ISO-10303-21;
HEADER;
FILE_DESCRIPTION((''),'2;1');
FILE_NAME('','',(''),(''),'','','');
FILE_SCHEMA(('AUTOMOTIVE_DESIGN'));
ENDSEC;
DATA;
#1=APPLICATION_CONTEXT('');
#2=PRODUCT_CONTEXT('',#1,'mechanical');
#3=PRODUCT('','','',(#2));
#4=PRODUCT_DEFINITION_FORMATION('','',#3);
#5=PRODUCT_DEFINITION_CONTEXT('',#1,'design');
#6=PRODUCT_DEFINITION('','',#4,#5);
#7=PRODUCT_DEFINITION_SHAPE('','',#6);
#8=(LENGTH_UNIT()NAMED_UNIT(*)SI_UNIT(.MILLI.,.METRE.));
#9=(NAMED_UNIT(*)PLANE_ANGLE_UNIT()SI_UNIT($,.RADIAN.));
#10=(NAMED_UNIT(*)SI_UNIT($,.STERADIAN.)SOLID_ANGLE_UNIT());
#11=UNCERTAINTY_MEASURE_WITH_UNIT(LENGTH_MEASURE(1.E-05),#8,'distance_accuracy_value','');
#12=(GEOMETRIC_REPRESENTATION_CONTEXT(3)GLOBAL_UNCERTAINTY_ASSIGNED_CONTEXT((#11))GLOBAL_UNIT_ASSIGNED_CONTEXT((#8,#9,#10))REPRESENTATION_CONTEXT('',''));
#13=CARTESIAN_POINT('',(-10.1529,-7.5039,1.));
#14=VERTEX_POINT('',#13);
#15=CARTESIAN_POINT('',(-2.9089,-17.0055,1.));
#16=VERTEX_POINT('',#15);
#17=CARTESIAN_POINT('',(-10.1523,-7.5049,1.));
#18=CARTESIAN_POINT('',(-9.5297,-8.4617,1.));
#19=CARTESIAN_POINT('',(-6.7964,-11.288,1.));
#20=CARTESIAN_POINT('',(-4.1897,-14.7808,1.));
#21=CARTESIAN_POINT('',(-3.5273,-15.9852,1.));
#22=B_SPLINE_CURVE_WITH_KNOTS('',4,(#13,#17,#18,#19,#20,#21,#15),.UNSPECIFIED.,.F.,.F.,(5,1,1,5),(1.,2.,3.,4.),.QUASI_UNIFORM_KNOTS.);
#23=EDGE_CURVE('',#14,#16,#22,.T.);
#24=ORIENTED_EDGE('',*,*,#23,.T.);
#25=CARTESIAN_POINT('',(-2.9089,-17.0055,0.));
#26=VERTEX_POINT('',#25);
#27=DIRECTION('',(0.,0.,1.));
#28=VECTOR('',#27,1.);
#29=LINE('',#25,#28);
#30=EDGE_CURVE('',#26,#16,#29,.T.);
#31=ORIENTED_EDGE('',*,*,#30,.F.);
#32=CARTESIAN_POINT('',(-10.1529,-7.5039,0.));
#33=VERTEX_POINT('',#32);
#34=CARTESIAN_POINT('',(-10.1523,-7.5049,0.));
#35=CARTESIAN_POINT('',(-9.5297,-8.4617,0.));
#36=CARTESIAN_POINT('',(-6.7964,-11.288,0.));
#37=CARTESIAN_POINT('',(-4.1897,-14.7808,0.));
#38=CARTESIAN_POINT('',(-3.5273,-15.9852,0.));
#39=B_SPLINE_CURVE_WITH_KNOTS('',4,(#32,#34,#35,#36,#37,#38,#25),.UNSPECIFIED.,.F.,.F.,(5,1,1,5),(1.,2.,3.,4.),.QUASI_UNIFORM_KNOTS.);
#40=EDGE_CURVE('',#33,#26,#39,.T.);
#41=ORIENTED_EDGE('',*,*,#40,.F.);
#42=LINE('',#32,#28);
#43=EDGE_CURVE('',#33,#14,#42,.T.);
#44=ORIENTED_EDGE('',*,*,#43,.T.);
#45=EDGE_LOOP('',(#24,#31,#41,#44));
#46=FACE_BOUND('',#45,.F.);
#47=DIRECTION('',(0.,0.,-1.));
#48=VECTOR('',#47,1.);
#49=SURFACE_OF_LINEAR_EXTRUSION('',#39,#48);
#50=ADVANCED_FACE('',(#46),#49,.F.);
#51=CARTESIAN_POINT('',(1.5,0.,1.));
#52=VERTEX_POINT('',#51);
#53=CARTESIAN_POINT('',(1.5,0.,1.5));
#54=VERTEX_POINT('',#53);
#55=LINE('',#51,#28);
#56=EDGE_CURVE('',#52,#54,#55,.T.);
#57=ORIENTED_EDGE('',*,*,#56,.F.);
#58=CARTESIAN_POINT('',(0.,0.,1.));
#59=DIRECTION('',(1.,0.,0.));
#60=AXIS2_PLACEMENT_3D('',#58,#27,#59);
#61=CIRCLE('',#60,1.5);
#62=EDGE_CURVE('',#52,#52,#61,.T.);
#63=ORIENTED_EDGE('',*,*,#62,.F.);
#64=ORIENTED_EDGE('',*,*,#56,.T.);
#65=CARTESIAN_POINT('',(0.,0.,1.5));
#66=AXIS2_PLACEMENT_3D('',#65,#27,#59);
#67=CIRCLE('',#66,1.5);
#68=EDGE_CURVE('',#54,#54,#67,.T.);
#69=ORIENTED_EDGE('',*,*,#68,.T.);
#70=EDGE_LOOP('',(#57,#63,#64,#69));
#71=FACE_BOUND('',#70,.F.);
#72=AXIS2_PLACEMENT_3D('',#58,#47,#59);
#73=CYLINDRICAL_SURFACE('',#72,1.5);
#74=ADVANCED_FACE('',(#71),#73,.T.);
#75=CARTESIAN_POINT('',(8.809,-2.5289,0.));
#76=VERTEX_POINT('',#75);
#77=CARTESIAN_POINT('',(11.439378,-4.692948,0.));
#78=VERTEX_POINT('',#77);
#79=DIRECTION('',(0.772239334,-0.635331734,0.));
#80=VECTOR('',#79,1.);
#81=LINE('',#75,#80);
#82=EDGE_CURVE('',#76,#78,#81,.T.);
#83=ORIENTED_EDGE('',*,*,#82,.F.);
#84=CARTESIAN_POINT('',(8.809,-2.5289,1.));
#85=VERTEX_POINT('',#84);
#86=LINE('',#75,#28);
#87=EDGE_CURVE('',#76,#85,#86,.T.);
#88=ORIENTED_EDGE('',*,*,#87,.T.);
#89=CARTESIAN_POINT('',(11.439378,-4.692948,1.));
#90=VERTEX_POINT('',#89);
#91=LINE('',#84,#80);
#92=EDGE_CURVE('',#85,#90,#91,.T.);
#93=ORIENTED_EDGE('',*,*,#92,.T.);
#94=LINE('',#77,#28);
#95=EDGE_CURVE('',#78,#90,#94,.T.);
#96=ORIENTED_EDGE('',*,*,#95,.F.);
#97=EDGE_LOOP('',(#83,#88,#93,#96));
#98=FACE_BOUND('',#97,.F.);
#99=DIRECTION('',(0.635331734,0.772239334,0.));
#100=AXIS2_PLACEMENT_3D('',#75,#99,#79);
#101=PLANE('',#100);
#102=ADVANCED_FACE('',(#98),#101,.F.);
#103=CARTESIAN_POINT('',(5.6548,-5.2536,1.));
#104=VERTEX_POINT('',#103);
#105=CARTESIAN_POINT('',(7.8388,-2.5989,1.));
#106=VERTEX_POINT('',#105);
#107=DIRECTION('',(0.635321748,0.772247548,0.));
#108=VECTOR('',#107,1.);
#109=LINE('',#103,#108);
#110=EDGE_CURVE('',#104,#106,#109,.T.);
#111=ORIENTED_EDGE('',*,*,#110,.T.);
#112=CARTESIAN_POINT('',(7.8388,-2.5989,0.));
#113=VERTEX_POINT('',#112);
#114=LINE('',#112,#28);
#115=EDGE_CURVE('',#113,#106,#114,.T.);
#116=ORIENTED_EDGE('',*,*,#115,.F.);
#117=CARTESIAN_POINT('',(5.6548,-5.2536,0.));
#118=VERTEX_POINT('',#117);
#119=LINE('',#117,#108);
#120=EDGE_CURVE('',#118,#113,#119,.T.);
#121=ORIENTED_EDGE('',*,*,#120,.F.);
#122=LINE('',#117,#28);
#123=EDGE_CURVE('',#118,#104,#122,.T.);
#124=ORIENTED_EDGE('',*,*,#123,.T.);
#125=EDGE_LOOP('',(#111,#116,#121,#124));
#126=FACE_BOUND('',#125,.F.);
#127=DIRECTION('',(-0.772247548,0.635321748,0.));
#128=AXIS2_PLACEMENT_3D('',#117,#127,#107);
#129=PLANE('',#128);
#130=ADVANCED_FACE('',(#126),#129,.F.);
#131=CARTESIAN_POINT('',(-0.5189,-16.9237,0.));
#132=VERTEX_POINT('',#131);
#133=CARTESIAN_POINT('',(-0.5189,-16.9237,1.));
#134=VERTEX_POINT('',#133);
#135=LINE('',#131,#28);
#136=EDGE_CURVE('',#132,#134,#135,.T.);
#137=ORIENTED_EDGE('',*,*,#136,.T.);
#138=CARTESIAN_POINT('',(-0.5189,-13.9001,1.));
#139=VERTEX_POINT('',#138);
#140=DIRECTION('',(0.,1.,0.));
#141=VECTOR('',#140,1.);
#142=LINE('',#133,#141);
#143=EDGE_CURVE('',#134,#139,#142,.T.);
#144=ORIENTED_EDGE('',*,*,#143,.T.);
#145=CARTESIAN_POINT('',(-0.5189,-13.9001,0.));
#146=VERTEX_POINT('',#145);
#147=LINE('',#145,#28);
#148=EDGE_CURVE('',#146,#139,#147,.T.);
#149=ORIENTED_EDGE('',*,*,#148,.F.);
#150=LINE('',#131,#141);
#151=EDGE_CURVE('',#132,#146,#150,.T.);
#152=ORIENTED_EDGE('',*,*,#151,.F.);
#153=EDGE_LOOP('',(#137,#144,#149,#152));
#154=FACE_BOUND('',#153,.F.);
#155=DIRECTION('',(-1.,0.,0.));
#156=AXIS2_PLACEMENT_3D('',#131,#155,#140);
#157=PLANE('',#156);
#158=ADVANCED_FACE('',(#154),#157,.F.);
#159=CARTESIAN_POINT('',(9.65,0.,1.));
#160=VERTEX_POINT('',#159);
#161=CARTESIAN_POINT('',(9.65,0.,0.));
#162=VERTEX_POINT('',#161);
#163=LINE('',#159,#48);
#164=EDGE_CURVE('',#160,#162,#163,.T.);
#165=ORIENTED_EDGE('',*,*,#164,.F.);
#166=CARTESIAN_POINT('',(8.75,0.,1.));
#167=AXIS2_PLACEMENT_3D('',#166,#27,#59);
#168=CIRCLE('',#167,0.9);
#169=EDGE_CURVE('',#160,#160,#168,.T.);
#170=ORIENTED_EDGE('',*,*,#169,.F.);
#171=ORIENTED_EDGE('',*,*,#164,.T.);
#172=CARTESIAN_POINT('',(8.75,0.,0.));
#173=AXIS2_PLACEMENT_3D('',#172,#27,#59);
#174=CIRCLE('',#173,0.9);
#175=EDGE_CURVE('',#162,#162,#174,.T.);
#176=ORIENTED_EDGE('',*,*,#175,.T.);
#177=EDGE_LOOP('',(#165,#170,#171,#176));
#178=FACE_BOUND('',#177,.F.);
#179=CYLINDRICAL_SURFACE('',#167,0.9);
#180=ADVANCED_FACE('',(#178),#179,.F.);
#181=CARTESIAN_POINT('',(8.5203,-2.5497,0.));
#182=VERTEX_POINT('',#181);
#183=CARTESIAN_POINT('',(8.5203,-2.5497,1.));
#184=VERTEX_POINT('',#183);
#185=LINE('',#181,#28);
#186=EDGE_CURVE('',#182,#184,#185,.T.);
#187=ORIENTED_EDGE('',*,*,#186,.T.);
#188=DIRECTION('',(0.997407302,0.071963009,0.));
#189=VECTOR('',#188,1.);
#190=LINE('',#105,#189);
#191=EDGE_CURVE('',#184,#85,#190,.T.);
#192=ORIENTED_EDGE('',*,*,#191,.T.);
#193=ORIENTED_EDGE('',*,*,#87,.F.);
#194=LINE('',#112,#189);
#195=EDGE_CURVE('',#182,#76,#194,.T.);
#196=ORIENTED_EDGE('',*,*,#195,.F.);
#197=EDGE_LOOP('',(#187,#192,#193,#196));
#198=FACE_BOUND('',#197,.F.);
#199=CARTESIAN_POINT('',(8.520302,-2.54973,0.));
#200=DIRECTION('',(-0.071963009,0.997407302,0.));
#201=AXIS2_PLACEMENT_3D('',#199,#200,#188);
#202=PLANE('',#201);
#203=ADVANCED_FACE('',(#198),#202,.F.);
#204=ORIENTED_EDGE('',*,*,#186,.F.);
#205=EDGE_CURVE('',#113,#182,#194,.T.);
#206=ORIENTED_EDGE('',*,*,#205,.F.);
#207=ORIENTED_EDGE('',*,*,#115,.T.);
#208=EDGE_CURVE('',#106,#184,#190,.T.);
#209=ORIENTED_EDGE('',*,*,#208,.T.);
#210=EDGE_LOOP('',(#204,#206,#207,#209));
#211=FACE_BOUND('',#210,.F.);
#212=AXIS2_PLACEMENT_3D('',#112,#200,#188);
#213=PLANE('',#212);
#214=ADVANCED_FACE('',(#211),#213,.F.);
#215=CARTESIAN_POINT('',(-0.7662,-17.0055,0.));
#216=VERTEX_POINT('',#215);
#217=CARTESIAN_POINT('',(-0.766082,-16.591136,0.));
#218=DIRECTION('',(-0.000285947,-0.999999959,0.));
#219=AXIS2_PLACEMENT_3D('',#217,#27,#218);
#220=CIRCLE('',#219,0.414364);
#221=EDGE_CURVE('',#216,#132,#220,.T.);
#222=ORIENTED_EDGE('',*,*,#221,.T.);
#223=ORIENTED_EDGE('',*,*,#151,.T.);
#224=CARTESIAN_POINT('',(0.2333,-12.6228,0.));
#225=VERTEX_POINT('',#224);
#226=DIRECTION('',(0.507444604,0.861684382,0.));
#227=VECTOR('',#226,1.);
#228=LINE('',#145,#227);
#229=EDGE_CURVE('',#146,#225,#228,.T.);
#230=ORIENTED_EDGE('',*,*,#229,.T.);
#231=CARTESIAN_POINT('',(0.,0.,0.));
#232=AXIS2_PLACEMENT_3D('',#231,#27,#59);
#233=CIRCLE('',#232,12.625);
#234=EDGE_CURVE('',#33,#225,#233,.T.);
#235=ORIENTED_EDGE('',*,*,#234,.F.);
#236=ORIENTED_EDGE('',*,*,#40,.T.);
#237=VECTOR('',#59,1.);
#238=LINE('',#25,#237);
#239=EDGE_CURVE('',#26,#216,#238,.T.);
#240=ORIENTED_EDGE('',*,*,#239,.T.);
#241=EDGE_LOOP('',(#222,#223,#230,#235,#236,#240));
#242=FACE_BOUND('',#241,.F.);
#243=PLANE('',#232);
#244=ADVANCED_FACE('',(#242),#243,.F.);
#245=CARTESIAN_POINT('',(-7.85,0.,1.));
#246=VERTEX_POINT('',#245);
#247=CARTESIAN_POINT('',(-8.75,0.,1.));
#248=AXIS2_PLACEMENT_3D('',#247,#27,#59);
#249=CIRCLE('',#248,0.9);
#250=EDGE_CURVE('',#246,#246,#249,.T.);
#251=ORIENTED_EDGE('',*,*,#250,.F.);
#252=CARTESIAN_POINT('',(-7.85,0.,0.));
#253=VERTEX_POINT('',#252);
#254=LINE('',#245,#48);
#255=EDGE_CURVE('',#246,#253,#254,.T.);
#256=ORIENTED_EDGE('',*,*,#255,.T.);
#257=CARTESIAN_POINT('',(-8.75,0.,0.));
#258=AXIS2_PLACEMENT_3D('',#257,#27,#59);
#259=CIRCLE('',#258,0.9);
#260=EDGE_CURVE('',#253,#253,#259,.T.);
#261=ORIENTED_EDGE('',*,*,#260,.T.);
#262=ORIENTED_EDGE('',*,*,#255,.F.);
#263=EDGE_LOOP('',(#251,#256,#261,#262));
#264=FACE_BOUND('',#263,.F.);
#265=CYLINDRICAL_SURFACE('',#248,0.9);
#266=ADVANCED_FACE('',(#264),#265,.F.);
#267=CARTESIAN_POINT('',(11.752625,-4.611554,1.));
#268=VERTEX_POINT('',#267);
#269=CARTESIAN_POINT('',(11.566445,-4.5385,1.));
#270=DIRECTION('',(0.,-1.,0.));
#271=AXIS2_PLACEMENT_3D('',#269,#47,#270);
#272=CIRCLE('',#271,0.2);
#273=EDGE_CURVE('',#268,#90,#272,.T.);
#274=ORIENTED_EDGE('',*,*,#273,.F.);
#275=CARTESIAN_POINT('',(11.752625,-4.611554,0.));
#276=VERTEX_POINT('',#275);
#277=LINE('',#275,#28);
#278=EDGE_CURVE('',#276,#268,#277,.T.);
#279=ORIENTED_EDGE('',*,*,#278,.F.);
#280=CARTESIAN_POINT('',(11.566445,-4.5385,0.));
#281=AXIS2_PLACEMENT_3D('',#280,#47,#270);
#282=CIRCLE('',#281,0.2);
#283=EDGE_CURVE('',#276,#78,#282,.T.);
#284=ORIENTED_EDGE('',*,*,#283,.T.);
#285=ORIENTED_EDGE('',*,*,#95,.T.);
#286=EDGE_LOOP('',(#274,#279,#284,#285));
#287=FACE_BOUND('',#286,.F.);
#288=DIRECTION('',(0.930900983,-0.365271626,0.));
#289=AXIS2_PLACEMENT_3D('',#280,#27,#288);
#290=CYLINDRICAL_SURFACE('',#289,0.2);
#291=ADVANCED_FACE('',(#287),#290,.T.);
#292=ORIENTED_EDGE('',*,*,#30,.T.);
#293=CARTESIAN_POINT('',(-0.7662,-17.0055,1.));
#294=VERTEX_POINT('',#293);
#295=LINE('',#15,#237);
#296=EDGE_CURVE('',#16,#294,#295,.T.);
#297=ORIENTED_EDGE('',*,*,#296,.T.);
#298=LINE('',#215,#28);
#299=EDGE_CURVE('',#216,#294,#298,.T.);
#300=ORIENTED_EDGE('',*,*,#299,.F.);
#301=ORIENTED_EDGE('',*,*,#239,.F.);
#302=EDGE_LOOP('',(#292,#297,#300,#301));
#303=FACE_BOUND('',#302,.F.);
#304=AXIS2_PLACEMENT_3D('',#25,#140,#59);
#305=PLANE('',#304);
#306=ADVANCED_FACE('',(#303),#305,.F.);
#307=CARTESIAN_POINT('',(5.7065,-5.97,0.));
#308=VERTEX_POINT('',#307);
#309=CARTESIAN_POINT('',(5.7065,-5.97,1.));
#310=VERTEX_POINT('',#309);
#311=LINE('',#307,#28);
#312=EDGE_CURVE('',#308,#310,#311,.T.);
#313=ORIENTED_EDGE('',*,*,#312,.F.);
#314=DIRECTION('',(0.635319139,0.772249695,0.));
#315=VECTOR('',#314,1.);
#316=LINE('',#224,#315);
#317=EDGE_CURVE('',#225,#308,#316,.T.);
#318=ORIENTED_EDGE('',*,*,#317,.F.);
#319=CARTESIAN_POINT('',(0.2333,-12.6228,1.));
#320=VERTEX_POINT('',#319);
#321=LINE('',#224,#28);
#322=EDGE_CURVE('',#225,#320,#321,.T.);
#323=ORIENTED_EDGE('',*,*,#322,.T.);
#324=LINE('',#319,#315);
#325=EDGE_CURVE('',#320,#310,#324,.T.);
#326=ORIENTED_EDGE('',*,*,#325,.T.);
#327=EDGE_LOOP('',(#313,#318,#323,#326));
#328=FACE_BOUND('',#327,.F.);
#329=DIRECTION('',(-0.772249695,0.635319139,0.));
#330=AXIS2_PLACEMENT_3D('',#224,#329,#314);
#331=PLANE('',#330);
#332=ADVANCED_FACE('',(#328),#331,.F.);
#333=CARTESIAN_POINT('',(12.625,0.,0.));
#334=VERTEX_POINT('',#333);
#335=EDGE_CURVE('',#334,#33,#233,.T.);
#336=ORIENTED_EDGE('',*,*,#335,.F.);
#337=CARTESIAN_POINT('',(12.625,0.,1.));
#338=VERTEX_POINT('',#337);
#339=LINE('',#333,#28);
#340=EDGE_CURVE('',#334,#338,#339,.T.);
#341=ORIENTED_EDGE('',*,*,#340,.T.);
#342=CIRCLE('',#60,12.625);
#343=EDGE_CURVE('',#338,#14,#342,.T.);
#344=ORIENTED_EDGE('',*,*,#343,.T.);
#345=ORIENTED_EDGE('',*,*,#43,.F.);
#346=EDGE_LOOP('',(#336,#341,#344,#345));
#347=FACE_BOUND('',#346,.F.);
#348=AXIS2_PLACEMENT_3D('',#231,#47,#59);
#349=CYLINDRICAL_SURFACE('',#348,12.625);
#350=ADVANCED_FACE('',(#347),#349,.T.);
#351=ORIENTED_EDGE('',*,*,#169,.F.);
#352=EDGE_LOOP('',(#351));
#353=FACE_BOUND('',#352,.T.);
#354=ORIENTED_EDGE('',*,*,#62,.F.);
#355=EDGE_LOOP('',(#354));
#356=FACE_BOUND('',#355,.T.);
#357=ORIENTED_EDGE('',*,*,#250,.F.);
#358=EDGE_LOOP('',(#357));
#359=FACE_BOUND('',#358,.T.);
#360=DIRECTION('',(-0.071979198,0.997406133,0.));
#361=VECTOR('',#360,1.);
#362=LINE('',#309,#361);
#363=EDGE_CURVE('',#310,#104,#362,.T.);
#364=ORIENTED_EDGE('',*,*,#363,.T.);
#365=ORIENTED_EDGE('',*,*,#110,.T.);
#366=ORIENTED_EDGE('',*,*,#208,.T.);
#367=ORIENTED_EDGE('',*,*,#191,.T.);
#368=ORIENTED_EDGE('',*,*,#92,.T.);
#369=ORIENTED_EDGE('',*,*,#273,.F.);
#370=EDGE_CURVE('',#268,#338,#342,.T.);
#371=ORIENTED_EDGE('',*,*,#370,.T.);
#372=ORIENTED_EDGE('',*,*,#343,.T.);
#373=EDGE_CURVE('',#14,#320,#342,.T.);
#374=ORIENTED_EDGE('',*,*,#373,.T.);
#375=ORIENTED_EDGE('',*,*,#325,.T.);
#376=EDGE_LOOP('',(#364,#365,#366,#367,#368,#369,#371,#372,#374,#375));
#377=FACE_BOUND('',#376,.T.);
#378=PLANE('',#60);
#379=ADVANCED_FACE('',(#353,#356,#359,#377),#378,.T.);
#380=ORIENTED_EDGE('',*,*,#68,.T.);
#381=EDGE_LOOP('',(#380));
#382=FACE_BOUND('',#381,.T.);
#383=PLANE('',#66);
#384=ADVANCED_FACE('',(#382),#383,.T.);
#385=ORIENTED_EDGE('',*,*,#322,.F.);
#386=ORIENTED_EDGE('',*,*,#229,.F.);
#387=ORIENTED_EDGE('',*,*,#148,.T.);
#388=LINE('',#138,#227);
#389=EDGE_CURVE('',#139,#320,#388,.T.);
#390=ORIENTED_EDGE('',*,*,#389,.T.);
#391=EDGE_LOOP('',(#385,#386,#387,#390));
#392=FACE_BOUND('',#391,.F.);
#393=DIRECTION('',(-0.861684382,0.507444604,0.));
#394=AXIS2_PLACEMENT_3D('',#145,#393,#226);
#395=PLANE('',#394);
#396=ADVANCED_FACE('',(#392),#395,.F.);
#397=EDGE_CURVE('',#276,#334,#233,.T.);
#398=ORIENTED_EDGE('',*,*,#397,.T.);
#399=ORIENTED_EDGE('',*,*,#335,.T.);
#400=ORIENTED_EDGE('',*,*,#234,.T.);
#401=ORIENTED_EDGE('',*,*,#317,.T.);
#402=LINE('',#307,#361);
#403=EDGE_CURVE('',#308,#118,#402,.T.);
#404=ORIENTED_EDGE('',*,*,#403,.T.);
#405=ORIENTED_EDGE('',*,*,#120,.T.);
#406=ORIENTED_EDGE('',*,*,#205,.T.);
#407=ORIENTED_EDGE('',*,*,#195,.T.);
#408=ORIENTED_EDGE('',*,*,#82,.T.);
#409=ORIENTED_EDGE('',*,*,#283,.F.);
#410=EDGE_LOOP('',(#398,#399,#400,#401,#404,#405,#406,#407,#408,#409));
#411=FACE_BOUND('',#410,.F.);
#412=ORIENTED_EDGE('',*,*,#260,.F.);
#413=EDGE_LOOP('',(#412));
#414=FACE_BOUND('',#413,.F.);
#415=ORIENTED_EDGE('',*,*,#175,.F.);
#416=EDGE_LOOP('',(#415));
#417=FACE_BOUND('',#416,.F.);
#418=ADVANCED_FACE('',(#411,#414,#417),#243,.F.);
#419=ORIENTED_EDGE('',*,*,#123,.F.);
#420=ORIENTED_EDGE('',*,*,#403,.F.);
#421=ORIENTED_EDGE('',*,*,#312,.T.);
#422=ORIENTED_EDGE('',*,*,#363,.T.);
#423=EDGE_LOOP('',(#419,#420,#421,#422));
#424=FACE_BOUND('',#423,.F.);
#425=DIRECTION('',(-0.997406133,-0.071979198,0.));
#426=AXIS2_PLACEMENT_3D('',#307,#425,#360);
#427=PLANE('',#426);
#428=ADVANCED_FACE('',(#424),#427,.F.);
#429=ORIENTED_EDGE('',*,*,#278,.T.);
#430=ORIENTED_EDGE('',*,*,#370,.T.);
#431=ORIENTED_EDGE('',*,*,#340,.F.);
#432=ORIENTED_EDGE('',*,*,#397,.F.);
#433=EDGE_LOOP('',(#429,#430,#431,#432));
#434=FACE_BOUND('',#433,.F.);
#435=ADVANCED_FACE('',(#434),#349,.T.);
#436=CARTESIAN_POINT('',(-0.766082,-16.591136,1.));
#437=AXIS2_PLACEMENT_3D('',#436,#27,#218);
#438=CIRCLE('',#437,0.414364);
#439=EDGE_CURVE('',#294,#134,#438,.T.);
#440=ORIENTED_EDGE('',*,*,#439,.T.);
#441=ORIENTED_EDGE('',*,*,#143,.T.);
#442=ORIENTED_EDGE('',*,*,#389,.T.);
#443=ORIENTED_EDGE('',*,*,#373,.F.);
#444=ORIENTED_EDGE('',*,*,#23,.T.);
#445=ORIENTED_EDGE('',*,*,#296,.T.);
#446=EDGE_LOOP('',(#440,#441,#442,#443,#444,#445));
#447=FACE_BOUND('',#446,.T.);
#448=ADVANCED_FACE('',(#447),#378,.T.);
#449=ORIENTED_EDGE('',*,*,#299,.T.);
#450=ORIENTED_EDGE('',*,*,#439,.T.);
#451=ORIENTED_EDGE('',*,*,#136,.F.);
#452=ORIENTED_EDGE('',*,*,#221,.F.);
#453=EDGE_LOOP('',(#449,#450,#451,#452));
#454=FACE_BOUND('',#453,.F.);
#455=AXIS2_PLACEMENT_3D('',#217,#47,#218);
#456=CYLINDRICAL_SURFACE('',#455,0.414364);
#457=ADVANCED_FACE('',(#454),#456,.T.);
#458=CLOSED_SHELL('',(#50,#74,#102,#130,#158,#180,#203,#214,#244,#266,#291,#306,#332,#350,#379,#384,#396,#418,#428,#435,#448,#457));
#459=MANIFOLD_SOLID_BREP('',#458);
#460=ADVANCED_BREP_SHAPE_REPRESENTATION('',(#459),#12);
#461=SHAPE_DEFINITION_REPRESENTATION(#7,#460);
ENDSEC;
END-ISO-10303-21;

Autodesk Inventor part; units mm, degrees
ref_plane "YZ Plane" through (0, 0, 0) normal (1, 0, 0) x (0, 1, 0)
ref_plane "XZ Plane" through (0, 0, 0) normal (0, 1, 0) x (-1, 0, 0)
ref_plane "XY Plane" through (0, 0, 0) normal (0, 0, 1) x (1, 0, 0)
sketch "Skizze1" plane through (0, 0, 0) normal (0, 0, 1) x (1, 0, 0)
  circle A0 centre (0, 0) radius 12.625
  line L0 (31.2972, 39.0088) -> (31.2972, -40.1485) construction
  line L1 (31.2972, -40.1485) -> (-28.0708, -40.1485) construction
  line L2 (-28.0708, -40.1485) -> (-28.0708, 39.0088) construction
  line L3 (-28.0708, 39.0088) -> (31.2972, 39.0088) construction
  line L4 (-10.1529, -7.5039) -> (-9.5297, -8.4617) construction
  line L5 (-9.5297, -8.4617) -> (-6.7964, -11.288) construction
  line L6 (-6.7964, -11.288) -> (-4.1897, -14.7808) construction
  line L7 (-4.1897, -14.7808) -> (-3.5273, -15.9852) construction
  line L8 (-3.5273, -15.9852) -> (-2.9089, -17.0055) construction
  spline S0 degree 4 poles (-10.1529, -7.5039) (-10.1523, -7.5049) (-9.5297, -8.4617) (-6.7964, -11.288) (-4.1897, -14.7808) (-3.5273, -15.9852) (-2.9089, -17.0055) knots 1 1 1 1 1 2 3 4 4 4 4 4
  line L9 (-2.9089, -17.0055) -> (-0.7662, -17.0055)
  arc A1 (-0.7662, -17.0055) -> (-0.5189, -16.9237) centre (-0.7662, -16.5904) ccw
  line L10 (-0.5189, -16.9237) -> (-0.5189, -13.9001)
  line L11 (-0.5189, -13.9001) -> (0.2333, -12.6228)
  line L12 (0.2333, -12.6228) -> (8.5203, -2.5497)
  line L13 (8.809, -2.5289) -> (11.6496, -4.8659)
  line L14 (5.7065, -5.97) -> (5.6548, -5.2536)
  line L15 (5.6548, -5.2536) -> (7.8388, -2.5989)
  line L16 (7.8388, -2.5989) -> (8.809, -2.5289)
  dimension "d0" = 25.25
extrude "Extrusion1" add sketch "Skizze1" along normal blind 1 contours A0 L13 L16 L15 L14 L12 | A0 L11 L10 A1 L9 S0
fillet "Rundung1" radius 0.2 2 edges at (11.6496, -4.8659, 0.5) (8.5203, -2.5497, 0.5)
sketch "Skizze2" plane through (0, 0, 1) normal (0, 0, 1) x (1, 0, 0)
  circle A0 centre (0, 0) radius 1.5
  dimension "d46" = 3
extrude "Extrusion2" add sketch "Skizze2" along normal blind 0.5
sketch "Skizze3" plane through (0, 0, 1) normal (0, 0, 1) x (1, 0, 0)
  line L0 (-8.75, 0) -> (8.75, 0) construction
  circle A0 centre (-8.75, 0) radius 0.9
  circle A1 centre (8.75, 0) radius 0.9
  point P0 (0, 0)
  dimension "d49" = 17.5
  dimension "d50" = 8.75
  dimension "d51" = 1.8
  dimension "d52" = 1.8
extrude "Extrusion3" cut sketch "Skizze3" against normal through all
equation "\"d50\" = 0.5 * d49"
equation "\"d52\" = d51"
properties part number "pcb"
